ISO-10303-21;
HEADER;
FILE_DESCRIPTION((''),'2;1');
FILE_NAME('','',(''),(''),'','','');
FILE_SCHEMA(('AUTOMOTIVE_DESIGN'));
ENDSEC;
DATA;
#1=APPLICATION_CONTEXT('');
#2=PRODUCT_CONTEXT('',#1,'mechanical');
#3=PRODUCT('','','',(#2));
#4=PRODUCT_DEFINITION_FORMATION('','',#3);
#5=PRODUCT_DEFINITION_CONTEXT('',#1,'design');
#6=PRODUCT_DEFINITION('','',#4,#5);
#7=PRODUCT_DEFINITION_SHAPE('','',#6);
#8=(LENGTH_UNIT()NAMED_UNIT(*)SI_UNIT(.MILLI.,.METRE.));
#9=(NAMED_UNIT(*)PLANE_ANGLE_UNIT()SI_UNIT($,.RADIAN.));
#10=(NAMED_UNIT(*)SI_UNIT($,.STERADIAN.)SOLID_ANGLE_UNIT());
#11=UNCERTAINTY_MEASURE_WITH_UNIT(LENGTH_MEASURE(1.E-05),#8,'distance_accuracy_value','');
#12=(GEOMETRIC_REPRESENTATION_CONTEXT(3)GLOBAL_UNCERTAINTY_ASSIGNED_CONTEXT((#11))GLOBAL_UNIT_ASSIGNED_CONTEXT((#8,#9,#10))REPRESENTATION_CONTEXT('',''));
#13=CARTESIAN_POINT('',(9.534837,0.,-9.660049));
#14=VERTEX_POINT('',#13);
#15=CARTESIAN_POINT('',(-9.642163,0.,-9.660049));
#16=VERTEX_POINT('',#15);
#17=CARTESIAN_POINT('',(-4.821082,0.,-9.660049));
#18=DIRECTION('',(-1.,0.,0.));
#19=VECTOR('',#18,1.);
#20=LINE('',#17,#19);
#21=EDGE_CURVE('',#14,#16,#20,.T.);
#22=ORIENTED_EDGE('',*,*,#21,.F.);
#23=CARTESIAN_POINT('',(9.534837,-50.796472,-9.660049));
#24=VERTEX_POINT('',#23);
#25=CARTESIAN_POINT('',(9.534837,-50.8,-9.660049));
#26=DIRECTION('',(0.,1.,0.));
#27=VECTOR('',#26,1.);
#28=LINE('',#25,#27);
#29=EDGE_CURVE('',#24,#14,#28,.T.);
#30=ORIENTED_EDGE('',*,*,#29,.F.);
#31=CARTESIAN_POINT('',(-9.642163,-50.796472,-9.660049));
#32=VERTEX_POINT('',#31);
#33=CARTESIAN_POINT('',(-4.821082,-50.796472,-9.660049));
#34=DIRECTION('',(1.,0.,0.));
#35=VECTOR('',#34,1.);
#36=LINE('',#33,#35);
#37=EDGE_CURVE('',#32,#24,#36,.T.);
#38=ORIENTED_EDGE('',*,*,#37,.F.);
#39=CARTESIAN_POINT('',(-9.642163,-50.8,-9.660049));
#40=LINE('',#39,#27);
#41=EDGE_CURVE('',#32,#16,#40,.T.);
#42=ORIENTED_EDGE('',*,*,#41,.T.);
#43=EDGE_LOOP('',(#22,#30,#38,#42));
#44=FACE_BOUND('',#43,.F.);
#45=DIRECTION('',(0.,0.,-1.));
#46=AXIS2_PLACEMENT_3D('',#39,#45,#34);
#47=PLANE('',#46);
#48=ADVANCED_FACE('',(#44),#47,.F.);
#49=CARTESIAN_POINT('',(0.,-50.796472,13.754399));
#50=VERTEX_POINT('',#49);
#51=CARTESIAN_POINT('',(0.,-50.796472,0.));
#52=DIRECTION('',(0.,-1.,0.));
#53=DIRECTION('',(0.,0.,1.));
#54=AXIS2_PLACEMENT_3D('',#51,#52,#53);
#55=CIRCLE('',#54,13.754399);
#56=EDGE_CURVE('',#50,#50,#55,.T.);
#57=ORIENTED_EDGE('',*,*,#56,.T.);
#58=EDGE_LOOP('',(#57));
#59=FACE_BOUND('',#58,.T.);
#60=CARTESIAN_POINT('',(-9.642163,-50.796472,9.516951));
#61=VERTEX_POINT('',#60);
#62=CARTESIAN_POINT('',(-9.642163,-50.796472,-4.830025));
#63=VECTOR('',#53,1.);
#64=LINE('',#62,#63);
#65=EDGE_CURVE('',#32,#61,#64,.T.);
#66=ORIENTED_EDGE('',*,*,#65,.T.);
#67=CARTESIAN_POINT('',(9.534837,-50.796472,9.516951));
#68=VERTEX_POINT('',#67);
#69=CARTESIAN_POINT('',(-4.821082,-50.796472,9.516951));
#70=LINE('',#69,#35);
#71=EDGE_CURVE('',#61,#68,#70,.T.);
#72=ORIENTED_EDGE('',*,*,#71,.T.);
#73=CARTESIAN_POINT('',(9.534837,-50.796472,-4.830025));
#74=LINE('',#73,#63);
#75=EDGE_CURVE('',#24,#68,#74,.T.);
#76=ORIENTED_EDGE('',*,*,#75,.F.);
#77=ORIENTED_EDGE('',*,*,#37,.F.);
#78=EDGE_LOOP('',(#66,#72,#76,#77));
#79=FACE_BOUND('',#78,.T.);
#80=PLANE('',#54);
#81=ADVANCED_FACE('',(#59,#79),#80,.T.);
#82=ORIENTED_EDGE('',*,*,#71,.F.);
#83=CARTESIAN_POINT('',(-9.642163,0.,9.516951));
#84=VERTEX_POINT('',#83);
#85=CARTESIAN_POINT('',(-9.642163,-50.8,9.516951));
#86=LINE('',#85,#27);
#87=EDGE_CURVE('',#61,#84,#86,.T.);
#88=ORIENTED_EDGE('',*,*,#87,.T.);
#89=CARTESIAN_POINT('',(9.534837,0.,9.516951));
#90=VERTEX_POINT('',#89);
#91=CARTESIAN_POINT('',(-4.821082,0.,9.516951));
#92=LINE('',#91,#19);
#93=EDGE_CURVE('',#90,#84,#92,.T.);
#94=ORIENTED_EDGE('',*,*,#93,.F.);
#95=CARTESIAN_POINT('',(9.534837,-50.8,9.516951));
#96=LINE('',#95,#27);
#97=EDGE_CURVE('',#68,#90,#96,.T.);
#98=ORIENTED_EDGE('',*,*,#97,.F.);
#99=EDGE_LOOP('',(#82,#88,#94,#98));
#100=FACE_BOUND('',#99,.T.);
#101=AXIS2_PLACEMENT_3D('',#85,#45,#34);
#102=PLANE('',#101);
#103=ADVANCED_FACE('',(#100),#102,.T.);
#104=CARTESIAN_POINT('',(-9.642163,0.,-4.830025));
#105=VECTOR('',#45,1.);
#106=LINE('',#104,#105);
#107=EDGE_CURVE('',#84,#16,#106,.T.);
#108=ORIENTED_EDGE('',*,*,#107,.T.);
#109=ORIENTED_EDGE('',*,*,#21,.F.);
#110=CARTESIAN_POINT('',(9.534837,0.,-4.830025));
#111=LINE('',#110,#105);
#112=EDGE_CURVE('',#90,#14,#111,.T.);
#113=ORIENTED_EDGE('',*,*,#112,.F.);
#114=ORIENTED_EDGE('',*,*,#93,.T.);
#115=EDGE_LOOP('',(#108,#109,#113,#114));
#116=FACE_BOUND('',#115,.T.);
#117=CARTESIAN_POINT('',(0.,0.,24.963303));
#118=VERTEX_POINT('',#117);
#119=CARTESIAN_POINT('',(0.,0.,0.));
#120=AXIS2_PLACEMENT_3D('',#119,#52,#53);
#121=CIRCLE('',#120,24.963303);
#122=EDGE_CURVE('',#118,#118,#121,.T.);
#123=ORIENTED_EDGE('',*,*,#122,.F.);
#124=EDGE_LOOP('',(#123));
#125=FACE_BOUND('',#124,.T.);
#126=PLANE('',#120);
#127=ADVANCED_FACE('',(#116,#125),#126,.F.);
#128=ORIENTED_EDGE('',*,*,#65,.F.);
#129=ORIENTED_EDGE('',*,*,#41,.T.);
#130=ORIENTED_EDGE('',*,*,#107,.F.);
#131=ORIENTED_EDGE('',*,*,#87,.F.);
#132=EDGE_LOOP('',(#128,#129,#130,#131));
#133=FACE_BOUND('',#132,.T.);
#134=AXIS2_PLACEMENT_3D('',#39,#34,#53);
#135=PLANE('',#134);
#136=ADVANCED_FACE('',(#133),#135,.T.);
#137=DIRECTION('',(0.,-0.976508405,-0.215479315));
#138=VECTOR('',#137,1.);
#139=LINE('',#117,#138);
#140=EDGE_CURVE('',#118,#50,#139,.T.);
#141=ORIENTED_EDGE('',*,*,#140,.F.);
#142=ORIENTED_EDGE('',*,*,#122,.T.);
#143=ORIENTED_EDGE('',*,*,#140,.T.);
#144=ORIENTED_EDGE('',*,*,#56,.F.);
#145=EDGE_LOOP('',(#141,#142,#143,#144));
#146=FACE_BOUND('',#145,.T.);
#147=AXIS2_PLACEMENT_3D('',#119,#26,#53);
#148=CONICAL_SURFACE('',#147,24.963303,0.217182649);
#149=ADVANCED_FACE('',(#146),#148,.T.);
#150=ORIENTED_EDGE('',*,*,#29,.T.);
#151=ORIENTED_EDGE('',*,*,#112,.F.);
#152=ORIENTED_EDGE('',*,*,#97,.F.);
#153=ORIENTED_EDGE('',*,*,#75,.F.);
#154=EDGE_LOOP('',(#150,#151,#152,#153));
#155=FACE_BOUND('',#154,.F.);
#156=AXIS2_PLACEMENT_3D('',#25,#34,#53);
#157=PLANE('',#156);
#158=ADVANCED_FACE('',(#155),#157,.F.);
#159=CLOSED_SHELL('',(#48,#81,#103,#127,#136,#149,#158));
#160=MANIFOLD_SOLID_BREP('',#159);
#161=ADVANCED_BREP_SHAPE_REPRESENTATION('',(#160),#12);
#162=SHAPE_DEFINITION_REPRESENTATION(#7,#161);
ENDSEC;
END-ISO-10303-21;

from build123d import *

# Parameters (mm, degrees)
F1_W     = 19.177
F1_H     = 19.177
F1_R     = 3.175
F4_DEPTH = 61.976


with BuildPart() as f3:
    # F2 (on Right) → F3 (revolve)
    with BuildSketch(Plane.YZ):
        Polygon((-50.796472, 0), (0, 0), (0, 24.963303), (-50.796472, 13.754399), align=None)
    revolve(axis=Axis((0, -25.398236, 0), (0, -1, 0)))

    # F1 (on offset) → F4 (cut)
    with BuildSketch(Plane.XZ.offset(50.8)):
        with Locations((-0.053663, -0.071549)):
            Rectangle(F1_W, F1_H)
        with Locations((-0.053663, -0.071549)):
            Circle(F1_R, mode=Mode.SUBTRACT)
        with Locations((-0.053663, -0.071549)):
            Circle(F1_R)
    extrude(amount=-F4_DEPTH, mode=Mode.SUBTRACT)


solid = f3.part
